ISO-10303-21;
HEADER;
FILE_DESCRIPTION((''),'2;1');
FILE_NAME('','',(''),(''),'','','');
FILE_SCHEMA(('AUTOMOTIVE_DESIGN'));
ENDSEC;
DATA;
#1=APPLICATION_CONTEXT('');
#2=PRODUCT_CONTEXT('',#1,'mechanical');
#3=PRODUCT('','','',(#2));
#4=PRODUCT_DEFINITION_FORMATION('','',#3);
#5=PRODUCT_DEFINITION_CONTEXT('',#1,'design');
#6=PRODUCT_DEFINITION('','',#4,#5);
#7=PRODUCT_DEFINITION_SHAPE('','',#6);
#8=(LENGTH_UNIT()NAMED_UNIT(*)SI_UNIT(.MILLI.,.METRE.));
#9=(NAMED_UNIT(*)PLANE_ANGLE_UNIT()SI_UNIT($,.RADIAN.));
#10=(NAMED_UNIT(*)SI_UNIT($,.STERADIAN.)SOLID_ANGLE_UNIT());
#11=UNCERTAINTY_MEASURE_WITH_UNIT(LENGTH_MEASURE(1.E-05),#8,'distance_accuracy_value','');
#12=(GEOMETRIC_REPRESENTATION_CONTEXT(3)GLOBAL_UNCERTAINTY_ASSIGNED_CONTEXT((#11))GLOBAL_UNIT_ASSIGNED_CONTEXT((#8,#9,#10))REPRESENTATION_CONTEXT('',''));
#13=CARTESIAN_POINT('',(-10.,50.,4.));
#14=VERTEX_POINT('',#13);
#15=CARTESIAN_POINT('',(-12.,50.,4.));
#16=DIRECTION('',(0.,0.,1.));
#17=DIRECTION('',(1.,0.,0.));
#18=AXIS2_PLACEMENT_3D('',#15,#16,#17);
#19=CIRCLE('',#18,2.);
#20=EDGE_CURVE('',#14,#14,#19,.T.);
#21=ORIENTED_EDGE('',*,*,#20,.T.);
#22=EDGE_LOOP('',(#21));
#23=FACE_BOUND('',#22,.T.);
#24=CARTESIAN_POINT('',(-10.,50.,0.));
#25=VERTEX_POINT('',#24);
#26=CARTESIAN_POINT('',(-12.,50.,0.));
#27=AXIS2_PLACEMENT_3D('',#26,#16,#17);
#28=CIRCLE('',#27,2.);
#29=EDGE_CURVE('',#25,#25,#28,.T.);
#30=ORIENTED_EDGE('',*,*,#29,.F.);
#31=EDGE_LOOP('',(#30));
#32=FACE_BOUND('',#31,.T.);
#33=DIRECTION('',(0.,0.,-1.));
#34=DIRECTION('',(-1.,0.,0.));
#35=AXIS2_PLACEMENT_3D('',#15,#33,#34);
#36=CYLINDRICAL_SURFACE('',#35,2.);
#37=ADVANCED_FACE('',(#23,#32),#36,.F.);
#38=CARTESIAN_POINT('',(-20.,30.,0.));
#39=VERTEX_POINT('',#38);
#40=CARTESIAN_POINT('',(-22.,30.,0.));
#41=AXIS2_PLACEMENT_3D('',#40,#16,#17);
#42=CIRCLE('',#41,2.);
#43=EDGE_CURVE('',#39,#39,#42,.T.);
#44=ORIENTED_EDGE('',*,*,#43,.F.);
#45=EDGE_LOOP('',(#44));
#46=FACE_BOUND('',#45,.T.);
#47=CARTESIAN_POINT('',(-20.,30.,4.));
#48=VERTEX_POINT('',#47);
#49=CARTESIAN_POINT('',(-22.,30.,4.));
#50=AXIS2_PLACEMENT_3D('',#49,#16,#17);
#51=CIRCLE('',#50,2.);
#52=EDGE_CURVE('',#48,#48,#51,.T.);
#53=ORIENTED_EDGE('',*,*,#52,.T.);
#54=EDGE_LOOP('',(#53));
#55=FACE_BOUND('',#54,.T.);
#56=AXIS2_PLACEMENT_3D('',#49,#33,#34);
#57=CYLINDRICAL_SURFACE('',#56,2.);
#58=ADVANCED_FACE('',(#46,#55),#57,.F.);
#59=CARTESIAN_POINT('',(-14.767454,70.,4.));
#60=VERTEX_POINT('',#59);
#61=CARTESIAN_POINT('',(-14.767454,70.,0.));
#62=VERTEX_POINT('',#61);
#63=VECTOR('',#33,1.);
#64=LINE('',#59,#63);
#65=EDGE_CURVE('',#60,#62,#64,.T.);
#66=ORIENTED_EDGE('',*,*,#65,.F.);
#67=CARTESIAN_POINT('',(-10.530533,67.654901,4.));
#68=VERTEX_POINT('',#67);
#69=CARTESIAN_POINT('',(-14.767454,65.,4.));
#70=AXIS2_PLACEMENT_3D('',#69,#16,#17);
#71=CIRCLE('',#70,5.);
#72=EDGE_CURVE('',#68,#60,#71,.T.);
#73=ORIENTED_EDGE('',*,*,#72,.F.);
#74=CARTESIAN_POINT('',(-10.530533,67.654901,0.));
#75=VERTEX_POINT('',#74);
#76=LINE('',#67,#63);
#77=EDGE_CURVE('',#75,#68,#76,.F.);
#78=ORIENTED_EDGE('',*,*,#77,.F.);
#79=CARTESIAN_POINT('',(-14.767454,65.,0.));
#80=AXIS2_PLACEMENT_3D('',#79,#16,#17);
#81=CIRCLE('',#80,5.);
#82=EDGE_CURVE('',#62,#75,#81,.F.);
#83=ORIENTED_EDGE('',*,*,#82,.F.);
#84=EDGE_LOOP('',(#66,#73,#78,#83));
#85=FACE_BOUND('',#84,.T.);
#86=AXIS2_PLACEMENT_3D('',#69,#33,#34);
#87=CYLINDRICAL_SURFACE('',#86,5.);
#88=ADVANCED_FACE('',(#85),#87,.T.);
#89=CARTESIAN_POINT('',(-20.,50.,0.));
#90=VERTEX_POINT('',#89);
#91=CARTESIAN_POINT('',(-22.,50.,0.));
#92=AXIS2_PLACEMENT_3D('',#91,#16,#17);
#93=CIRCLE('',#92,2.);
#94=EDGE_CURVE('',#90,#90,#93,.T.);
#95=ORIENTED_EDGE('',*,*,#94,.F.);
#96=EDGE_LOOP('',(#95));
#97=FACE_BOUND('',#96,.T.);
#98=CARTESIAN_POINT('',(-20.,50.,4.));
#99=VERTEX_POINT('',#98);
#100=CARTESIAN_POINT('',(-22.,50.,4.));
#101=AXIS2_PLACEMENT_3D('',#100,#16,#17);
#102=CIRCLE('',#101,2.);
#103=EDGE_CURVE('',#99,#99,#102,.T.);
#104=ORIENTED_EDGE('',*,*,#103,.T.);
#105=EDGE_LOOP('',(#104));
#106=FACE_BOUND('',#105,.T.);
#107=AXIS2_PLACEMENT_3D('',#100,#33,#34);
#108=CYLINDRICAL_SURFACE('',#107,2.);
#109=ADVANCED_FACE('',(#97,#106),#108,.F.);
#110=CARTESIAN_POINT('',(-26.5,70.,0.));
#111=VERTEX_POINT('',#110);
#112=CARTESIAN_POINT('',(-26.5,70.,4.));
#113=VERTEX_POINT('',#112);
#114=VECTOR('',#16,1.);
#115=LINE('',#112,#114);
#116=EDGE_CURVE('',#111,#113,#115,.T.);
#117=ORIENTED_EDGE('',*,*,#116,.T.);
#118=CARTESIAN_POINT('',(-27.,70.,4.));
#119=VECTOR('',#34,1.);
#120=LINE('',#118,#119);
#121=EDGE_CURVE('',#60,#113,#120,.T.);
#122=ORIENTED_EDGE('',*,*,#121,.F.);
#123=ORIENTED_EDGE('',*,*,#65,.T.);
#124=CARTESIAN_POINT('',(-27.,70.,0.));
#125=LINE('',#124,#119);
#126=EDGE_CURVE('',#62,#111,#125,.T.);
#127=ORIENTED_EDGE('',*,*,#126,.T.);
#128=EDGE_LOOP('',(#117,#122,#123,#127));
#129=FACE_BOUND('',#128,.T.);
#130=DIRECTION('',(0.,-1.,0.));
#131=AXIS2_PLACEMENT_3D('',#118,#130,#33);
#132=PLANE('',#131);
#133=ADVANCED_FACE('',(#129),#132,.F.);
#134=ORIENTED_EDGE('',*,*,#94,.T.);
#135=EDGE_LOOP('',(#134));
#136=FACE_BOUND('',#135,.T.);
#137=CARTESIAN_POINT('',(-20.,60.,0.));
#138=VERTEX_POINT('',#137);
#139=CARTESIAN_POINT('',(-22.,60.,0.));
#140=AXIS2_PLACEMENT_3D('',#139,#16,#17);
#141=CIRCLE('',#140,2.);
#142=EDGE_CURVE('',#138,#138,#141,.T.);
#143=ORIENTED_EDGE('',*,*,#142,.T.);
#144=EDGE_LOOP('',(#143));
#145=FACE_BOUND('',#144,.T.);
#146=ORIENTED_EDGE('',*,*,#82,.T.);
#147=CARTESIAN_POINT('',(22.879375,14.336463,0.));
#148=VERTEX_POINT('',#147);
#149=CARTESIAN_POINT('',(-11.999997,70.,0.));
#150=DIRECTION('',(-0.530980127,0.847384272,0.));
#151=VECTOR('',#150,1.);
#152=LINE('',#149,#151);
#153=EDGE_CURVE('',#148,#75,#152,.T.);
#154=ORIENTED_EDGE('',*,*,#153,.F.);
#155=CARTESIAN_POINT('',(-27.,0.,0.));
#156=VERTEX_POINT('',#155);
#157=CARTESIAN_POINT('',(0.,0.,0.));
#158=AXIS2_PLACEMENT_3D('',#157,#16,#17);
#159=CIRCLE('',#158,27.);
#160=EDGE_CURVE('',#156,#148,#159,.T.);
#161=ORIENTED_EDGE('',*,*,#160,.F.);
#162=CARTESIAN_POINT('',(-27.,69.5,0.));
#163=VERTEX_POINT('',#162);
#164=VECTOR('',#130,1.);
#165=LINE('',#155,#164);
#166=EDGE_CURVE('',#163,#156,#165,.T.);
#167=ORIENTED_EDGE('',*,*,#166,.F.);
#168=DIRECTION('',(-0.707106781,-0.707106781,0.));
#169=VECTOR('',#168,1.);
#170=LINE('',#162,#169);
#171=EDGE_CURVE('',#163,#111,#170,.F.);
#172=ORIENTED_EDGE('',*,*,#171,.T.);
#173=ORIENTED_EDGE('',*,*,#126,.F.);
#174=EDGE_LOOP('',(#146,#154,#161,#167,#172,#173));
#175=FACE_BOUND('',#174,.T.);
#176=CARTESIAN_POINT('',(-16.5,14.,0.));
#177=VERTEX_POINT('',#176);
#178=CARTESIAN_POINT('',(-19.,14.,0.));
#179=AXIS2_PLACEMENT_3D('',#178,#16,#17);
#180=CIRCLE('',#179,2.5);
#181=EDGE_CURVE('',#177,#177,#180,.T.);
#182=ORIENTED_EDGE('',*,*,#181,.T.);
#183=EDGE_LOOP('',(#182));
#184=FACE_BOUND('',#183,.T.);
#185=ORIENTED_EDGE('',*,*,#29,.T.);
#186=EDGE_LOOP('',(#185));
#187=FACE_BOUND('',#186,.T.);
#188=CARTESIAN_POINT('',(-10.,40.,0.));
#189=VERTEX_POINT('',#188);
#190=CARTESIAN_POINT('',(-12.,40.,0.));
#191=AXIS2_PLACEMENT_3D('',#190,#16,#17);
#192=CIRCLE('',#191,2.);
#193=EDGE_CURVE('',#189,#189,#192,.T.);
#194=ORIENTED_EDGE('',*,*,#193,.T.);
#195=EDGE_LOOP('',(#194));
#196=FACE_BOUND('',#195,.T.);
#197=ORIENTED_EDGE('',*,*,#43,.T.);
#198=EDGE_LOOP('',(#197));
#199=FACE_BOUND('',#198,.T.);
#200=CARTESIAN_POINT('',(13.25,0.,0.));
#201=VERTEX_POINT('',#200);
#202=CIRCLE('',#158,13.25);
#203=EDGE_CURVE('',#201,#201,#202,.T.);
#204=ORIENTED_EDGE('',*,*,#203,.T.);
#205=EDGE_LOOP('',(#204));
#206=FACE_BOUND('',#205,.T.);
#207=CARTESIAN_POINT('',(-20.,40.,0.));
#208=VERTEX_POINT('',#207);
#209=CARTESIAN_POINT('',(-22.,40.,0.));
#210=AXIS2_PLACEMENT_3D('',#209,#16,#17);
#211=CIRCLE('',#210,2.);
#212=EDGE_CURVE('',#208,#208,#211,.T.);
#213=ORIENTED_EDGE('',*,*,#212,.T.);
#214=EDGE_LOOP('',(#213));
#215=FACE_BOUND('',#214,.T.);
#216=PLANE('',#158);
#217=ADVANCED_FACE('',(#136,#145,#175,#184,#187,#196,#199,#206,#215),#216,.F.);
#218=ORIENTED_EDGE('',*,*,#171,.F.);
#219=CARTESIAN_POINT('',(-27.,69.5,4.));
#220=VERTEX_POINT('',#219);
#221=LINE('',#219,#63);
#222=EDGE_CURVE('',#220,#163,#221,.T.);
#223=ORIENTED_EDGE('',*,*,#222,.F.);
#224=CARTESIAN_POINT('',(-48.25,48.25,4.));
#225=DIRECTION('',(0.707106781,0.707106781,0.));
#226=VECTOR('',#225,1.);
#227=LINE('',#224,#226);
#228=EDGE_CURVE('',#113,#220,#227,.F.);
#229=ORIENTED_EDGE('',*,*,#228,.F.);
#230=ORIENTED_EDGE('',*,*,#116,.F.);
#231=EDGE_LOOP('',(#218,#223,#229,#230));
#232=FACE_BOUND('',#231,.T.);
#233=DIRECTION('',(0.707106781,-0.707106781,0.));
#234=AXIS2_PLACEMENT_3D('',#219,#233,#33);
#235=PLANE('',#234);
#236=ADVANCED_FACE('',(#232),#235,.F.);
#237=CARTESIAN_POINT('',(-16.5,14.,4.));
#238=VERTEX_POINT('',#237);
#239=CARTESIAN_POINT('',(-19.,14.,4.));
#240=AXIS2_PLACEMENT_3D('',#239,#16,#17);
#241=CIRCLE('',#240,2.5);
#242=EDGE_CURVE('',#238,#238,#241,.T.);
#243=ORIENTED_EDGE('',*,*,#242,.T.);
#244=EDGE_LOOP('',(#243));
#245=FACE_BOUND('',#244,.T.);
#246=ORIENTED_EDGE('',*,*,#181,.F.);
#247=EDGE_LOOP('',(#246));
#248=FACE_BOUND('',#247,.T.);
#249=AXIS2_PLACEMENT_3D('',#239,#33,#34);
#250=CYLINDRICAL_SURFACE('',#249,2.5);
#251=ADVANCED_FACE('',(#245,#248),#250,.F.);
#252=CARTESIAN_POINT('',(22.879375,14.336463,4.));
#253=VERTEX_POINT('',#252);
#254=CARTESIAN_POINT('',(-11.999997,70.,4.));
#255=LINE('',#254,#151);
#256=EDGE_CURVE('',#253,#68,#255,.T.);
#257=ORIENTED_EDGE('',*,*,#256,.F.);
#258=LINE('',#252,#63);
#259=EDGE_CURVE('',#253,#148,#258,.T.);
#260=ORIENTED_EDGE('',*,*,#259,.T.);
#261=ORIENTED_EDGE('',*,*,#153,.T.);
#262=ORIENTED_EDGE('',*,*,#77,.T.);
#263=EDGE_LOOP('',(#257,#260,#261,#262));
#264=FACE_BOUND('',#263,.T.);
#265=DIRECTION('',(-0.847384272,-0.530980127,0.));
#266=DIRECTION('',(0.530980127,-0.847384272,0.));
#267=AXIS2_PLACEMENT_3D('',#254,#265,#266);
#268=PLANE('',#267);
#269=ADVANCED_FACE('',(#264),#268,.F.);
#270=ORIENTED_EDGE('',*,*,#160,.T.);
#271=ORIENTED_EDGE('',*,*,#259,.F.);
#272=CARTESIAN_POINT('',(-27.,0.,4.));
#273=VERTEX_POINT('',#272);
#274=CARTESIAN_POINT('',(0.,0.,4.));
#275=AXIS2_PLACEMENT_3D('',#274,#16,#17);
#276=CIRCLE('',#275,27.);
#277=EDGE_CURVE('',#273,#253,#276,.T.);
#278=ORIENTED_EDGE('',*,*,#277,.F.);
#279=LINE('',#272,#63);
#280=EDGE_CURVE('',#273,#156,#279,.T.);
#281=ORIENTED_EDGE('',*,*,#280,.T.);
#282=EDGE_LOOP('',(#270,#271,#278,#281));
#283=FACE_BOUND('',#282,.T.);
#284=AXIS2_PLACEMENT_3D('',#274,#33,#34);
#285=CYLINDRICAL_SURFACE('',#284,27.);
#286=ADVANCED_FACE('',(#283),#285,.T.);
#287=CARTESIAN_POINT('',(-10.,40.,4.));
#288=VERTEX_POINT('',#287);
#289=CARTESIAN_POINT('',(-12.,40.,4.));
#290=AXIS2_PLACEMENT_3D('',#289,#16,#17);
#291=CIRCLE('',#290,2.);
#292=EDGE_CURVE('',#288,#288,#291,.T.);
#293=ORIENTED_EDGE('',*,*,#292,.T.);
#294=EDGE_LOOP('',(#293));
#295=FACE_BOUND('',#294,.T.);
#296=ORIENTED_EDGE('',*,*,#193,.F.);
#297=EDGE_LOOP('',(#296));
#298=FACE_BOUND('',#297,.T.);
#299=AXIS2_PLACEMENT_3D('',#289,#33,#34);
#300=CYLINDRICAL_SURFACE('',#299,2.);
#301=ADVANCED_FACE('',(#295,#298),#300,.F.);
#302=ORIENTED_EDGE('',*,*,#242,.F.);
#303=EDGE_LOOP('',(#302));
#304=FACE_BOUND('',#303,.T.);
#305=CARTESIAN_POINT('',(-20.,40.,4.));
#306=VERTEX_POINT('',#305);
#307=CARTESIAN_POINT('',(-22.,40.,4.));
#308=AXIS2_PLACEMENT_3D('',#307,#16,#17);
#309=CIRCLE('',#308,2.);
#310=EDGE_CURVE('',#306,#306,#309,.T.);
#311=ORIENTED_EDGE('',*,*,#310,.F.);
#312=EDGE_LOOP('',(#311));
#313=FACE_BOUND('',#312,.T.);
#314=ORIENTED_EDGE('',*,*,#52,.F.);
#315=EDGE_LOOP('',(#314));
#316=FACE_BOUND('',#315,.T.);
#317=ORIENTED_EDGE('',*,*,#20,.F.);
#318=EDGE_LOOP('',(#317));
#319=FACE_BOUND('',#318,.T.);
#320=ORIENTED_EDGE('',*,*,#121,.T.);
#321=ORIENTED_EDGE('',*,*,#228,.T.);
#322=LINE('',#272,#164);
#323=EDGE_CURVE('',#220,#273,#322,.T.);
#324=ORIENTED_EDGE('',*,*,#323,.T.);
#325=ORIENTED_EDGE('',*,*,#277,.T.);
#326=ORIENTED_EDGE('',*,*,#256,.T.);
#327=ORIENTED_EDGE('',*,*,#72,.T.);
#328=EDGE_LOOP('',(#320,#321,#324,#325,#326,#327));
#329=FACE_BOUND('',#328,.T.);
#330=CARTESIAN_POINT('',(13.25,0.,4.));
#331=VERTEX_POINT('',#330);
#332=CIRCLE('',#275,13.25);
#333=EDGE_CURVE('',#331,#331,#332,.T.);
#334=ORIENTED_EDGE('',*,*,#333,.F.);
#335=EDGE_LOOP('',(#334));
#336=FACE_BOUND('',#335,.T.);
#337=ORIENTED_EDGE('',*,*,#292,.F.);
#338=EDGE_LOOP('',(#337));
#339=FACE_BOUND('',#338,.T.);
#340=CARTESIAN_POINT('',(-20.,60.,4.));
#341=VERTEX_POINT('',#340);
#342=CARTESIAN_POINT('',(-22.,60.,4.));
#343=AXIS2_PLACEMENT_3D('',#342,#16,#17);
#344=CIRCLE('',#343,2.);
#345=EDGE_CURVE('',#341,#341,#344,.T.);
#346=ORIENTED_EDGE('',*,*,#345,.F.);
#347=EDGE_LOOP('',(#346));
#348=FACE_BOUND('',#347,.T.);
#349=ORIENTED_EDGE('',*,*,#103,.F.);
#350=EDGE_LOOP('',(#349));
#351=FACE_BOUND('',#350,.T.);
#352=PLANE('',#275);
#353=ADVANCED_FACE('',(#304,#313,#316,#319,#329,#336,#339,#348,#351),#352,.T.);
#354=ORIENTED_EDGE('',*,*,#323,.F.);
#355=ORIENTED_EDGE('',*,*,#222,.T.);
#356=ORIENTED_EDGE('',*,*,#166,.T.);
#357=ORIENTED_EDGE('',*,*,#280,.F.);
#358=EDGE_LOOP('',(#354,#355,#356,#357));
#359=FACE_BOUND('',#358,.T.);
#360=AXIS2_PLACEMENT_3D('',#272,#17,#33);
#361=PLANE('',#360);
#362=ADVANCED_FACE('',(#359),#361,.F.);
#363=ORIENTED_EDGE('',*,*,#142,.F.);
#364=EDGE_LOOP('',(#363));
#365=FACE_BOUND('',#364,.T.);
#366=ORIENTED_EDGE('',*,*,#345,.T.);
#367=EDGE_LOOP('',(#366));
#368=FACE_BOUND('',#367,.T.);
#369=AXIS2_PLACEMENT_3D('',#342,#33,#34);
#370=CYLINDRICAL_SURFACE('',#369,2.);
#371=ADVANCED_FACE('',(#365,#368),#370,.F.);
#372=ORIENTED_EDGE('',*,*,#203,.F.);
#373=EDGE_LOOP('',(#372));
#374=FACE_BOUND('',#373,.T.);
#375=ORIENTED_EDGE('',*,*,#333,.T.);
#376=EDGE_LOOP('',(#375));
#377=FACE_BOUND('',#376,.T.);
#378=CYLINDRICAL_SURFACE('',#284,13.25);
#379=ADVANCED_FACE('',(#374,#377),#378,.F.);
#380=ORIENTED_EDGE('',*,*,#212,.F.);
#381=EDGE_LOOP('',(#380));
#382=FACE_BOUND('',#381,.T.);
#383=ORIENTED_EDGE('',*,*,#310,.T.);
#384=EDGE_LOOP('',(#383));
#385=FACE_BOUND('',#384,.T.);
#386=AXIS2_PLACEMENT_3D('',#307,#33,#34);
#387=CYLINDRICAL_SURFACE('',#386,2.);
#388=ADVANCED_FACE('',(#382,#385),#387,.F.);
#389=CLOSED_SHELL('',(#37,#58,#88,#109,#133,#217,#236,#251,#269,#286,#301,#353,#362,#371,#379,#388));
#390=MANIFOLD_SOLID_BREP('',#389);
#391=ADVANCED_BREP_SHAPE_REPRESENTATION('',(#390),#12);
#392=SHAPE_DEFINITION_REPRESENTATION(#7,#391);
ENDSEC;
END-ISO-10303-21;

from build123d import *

# Parameters (mm, degrees)
SKETCH_1_R      = 2
SKETCH_1_R_2    = 13.25
SKETCH_1_R_3    = 2.5
EXTRUDE_1_DEPTH = 4
FILLET_1_R      = 5
CHAMFER_1_SIZE  = 0.5


with BuildPart() as part:
    # 草图1 → 凸台-拉伸1 (new body)
    with BuildSketch(Plane.XY):
        with BuildLine():
            Line((-27, 0), (-27, 70))
            Line((-27, 70), (-11.999997176, 70))
            Line((-11.999997176, 70), (22.879375353, 14.336463423))
            ThreePointArc((22.879375353, 14.336463423), (7.458447073, -25.949403987), (-27, 0))
        make_face()
        with Locations((-22, 60)):
            Circle(SKETCH_1_R, mode=Mode.SUBTRACT)
        with Locations((-22, 50)):
            Circle(SKETCH_1_R, mode=Mode.SUBTRACT)
        with Locations((-22, 30)):
            Circle(SKETCH_1_R, mode=Mode.SUBTRACT)
        with Locations((-22, 40)):
            Circle(SKETCH_1_R, mode=Mode.SUBTRACT)
        with Locations((-12, 50)):
            Circle(SKETCH_1_R, mode=Mode.SUBTRACT)
        Circle(SKETCH_1_R_2, mode=Mode.SUBTRACT)
        with Locations((-12, 40)):
            Circle(SKETCH_1_R, mode=Mode.SUBTRACT)
        with Locations((-19, 14)):
            Circle(SKETCH_1_R_3, mode=Mode.SUBTRACT)
    extrude(amount=EXTRUDE_1_DEPTH)

    # 圆角1
    fillet_1_edges = [part.edges().sort_by_distance(p)[0] for p in [
        (-11.999997176, 70, 2),
    ]]
    fillet(fillet_1_edges, radius=FILLET_1_R)

    # 倒角1
    chamfer_1_edges = [part.edges().sort_by_distance(p)[0] for p in [
        (-27, 70, 2),
    ]]
    chamfer(chamfer_1_edges, length=CHAMFER_1_SIZE)


solid = part.part
